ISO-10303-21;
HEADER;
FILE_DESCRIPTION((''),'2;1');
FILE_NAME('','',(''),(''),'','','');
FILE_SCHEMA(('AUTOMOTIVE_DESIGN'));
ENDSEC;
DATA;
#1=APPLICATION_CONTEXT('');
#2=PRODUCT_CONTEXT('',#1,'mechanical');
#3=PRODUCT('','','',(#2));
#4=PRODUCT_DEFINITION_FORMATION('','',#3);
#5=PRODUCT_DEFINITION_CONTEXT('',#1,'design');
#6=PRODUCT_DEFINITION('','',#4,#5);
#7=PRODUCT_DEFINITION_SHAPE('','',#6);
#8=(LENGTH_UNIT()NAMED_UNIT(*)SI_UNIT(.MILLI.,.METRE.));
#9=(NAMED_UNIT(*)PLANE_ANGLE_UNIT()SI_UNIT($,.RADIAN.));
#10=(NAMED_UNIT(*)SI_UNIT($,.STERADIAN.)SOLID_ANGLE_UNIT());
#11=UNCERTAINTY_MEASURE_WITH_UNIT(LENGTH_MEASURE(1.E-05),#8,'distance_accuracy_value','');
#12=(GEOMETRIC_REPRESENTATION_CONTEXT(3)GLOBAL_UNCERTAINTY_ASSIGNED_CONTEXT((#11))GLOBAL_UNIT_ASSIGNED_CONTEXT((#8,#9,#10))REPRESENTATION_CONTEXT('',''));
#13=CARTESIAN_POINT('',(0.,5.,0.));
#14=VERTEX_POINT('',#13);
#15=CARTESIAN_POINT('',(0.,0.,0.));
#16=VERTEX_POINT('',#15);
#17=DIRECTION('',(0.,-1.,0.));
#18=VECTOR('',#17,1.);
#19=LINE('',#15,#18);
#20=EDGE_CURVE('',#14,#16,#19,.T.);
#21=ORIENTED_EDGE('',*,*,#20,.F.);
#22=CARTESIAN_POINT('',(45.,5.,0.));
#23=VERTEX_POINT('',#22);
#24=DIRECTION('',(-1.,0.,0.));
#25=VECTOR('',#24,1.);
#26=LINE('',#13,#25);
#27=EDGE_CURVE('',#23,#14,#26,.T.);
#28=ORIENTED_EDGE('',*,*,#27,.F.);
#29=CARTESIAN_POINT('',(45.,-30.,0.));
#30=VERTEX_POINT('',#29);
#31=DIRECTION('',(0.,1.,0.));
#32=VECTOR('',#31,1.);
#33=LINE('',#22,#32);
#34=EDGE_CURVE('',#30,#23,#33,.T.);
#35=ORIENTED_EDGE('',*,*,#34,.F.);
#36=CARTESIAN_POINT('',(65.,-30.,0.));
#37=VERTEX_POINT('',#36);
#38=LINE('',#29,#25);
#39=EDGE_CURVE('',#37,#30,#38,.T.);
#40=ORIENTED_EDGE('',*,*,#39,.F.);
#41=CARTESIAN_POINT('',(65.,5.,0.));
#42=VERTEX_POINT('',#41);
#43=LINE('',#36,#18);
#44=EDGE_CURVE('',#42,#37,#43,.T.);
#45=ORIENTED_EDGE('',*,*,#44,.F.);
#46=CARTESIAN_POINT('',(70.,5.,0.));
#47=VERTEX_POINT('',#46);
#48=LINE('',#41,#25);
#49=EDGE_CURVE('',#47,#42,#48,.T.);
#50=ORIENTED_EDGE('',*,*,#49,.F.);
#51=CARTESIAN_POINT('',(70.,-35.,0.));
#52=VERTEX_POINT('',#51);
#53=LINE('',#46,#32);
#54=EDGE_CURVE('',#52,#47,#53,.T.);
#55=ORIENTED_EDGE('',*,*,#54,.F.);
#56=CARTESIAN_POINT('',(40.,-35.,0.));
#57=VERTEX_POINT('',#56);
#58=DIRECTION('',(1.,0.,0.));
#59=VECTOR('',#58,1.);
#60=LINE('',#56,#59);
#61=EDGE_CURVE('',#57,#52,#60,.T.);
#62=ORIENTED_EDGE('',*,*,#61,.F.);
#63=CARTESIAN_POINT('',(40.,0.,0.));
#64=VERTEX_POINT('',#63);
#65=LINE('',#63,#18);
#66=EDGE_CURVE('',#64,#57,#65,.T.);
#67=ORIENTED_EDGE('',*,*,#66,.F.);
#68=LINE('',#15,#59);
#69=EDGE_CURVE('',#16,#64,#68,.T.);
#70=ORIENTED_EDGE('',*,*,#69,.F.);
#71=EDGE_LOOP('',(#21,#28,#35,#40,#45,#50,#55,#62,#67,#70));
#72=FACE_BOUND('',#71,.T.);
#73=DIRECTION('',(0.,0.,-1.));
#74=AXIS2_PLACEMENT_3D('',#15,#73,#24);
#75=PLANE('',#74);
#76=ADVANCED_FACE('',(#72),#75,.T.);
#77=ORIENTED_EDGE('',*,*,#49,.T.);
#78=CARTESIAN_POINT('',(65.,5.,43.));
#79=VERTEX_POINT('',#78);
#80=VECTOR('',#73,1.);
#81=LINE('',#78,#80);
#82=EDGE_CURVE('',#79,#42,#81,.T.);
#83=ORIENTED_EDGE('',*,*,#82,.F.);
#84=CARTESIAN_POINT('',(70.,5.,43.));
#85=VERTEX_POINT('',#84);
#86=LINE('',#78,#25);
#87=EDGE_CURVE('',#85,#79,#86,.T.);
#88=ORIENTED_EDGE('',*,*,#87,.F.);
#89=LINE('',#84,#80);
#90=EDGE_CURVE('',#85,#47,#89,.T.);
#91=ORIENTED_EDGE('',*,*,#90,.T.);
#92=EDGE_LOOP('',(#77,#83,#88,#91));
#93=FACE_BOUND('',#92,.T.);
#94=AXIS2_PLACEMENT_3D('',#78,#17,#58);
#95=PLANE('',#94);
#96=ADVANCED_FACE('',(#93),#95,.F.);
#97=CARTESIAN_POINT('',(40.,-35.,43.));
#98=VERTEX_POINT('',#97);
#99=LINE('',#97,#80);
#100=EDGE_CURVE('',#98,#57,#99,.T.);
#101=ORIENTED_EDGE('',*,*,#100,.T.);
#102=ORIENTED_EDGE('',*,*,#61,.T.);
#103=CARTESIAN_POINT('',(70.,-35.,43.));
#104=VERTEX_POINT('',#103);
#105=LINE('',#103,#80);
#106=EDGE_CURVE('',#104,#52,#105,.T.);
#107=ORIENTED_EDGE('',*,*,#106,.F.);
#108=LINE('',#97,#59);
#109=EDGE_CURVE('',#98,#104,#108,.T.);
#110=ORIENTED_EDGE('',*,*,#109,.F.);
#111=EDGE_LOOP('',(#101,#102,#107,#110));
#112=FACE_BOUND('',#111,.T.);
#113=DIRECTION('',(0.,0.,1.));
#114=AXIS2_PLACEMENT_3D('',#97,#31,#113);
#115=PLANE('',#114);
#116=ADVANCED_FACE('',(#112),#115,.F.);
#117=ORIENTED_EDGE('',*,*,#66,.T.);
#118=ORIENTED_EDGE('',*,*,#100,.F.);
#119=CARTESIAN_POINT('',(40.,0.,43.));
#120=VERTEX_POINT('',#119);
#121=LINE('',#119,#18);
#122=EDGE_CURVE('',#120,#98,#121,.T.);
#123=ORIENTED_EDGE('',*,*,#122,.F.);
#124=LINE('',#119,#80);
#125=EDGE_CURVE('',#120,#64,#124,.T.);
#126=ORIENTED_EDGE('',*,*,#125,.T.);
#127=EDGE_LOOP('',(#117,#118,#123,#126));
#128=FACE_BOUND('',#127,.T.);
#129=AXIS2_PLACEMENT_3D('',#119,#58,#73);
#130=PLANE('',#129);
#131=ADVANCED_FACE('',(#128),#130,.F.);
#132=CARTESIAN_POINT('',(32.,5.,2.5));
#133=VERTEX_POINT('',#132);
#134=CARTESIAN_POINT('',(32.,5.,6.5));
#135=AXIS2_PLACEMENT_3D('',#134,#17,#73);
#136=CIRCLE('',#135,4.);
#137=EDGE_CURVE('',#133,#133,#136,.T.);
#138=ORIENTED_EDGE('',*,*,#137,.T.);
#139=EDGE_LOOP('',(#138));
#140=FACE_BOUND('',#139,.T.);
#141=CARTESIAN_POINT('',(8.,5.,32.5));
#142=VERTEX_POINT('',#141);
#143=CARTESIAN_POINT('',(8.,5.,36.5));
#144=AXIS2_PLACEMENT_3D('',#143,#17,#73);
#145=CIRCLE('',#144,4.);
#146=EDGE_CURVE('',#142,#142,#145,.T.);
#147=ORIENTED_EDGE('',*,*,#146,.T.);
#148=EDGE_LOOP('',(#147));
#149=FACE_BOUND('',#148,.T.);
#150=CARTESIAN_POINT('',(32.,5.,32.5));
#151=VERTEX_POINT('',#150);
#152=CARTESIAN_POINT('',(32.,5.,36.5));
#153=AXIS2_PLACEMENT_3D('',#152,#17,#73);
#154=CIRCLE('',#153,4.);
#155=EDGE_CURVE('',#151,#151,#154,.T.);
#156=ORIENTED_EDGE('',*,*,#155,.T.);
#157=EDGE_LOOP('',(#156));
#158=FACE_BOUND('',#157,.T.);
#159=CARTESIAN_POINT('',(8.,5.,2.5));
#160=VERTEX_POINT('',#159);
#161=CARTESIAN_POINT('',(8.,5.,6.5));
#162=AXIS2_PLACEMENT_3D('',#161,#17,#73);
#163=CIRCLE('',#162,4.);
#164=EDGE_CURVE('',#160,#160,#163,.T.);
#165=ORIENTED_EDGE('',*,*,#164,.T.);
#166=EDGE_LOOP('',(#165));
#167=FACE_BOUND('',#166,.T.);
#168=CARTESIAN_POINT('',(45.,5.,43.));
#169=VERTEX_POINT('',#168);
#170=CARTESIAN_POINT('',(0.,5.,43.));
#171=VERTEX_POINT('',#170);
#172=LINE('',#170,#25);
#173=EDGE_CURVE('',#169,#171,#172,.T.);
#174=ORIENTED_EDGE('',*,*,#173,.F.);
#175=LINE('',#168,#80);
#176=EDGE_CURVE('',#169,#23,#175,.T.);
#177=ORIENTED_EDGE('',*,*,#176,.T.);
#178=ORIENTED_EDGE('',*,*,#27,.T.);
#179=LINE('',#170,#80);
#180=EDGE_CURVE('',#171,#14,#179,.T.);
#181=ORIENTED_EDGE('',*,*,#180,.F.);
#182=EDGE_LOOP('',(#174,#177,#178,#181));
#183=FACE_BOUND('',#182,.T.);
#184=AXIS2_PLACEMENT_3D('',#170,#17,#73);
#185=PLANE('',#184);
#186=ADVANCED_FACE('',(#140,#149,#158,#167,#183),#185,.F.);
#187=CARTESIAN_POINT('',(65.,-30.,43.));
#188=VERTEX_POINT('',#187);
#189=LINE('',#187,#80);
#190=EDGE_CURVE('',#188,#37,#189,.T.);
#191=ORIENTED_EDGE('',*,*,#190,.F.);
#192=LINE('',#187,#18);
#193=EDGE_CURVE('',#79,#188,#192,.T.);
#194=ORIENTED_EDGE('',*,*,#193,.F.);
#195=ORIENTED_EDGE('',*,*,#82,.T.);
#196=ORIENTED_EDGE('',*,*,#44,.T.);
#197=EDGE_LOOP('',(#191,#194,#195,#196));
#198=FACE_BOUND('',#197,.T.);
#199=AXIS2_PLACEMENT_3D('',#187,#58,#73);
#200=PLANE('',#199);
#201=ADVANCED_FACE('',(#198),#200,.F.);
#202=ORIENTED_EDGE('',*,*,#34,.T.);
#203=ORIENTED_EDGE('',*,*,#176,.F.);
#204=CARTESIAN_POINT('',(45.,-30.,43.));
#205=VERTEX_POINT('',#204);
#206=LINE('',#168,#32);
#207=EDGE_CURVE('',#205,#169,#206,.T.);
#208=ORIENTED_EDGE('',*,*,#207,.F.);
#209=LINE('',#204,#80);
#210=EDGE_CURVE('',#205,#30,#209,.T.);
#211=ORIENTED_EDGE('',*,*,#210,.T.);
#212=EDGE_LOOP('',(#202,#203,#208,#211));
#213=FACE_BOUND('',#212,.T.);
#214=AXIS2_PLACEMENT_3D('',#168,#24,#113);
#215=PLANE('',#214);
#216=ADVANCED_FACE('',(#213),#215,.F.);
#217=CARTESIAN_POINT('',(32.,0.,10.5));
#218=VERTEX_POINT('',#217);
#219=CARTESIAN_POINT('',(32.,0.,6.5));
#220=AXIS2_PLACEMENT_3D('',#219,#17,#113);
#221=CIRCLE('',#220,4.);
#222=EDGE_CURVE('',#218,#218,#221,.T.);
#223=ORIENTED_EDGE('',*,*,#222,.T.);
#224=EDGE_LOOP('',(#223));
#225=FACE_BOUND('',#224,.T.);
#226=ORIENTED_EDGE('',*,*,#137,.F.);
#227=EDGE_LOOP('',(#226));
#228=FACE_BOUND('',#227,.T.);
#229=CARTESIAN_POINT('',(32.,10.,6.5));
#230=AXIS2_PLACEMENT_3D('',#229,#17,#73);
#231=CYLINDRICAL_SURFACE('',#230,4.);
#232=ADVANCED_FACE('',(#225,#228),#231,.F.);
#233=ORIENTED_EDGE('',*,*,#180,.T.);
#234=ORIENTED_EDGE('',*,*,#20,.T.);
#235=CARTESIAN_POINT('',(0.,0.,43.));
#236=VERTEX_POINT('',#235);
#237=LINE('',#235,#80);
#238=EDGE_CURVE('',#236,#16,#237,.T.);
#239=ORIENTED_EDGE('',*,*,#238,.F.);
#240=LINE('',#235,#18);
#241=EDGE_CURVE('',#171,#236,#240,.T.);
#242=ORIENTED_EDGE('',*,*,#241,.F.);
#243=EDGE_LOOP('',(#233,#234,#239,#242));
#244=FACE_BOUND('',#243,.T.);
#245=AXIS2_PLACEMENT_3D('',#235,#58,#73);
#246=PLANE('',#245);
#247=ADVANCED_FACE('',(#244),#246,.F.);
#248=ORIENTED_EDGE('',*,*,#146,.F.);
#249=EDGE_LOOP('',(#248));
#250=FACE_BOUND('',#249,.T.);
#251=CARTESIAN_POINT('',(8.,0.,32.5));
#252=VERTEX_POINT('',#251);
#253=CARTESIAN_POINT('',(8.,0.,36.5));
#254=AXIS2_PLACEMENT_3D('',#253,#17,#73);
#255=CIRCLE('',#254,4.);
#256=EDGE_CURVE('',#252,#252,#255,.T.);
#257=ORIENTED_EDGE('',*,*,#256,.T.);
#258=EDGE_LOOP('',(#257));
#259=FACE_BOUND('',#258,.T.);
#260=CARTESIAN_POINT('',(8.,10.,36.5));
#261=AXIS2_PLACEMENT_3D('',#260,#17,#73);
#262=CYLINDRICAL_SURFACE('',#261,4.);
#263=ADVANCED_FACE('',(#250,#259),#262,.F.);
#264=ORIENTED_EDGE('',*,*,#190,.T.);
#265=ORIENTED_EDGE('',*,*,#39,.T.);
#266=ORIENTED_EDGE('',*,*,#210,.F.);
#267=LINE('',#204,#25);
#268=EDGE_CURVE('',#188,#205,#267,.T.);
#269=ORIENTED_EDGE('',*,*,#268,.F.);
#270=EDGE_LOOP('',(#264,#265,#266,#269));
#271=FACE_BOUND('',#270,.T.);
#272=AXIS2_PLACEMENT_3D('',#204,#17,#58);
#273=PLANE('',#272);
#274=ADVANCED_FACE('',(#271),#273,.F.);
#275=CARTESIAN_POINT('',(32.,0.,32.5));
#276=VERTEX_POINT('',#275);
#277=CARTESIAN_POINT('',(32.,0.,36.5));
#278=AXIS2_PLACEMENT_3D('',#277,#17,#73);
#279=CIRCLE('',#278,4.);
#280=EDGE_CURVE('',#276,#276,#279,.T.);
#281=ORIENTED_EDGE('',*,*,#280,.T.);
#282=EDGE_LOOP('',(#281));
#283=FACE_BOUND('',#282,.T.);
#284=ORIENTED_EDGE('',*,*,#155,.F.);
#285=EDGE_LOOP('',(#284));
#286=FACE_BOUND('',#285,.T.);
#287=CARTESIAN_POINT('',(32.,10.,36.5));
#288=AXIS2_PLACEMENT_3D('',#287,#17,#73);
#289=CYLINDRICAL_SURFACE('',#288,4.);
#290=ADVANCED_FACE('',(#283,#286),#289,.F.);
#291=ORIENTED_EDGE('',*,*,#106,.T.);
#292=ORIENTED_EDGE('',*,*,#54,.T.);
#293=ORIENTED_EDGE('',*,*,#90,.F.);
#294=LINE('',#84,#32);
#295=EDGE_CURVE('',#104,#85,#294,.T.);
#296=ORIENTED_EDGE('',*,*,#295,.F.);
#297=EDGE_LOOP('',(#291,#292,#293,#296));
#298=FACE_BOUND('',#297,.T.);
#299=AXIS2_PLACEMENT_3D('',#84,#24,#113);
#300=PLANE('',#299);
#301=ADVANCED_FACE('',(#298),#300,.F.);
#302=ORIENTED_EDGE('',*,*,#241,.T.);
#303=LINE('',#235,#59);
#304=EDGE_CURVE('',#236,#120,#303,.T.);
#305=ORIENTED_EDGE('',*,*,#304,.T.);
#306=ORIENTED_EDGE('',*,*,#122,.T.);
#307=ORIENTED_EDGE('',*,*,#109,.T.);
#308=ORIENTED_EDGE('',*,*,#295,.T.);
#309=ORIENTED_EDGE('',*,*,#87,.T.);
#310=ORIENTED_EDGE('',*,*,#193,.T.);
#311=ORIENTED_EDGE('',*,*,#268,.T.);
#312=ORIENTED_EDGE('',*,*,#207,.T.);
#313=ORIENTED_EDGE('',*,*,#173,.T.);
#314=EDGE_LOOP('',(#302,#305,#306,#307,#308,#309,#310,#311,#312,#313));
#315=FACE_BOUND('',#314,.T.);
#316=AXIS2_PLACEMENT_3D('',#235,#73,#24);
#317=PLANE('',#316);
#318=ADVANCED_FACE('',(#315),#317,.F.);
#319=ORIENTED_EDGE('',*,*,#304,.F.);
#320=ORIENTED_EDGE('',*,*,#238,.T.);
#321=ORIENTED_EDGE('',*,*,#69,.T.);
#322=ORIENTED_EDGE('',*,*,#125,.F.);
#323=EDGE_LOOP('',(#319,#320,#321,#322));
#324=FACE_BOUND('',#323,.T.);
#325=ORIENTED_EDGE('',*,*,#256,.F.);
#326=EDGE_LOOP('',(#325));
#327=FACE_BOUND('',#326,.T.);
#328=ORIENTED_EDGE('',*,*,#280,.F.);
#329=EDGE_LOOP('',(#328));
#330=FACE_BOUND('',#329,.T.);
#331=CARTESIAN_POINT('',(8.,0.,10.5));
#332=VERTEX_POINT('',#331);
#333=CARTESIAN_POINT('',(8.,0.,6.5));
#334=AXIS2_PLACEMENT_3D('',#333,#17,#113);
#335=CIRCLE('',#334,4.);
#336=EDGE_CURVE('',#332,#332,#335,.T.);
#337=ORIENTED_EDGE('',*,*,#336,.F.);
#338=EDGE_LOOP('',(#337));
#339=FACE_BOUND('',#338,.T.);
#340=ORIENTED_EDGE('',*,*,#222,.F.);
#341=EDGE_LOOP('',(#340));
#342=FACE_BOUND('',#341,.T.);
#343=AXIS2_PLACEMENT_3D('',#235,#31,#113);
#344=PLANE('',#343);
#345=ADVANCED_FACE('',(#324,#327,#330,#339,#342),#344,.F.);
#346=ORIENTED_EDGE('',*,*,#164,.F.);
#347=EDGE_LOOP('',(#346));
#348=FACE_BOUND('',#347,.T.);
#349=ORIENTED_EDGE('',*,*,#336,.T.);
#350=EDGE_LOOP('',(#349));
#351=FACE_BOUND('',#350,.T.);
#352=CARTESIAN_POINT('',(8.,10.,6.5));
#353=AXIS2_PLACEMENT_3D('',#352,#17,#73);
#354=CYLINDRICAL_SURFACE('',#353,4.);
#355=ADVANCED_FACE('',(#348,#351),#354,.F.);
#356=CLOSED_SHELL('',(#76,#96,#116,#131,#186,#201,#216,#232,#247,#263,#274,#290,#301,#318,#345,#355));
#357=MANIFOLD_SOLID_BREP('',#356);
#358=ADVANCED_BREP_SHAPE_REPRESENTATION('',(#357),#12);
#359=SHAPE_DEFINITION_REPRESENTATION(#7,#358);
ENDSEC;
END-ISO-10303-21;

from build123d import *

# Parameters (mm, degrees)
BOSS_EXTRUDE1_DEPTH = 43
SKETCH2_R           = 4
CUT_EXTRUDE2_DEPTH  = 10


with BuildPart() as part:
    # Sketch1 → Boss-Extrude1 (new body)
    with BuildSketch(Plane.XY):
        Polygon((0, 0), (40, 0), (40, -35), (70, -35), (70, 5), (65, 5), (65, -30), (45, -30), (45, 5), (0, 5), align=None)
    extrude(amount=BOSS_EXTRUDE1_DEPTH)

    # Sketch2 → Cut-Extrude2 (cut)
    with BuildSketch(Plane.XZ):
        with Locations(Location((8, 36.5, 0), (0, 0, 270))):
            Circle(SKETCH2_R)
        with Locations(Location((32, 36.5, 0), (0, 0, 270))):
            Circle(SKETCH2_R)
        with Locations(Location((32, 6.5, 0), (0, 0, 270))):
            Circle(SKETCH2_R)
        with Locations(Location((8, 6.5, 0), (0, 0, 270))):
            Circle(SKETCH2_R)
    extrude(amount=-CUT_EXTRUDE2_DEPTH, mode=Mode.SUBTRACT)


solid = part.part
